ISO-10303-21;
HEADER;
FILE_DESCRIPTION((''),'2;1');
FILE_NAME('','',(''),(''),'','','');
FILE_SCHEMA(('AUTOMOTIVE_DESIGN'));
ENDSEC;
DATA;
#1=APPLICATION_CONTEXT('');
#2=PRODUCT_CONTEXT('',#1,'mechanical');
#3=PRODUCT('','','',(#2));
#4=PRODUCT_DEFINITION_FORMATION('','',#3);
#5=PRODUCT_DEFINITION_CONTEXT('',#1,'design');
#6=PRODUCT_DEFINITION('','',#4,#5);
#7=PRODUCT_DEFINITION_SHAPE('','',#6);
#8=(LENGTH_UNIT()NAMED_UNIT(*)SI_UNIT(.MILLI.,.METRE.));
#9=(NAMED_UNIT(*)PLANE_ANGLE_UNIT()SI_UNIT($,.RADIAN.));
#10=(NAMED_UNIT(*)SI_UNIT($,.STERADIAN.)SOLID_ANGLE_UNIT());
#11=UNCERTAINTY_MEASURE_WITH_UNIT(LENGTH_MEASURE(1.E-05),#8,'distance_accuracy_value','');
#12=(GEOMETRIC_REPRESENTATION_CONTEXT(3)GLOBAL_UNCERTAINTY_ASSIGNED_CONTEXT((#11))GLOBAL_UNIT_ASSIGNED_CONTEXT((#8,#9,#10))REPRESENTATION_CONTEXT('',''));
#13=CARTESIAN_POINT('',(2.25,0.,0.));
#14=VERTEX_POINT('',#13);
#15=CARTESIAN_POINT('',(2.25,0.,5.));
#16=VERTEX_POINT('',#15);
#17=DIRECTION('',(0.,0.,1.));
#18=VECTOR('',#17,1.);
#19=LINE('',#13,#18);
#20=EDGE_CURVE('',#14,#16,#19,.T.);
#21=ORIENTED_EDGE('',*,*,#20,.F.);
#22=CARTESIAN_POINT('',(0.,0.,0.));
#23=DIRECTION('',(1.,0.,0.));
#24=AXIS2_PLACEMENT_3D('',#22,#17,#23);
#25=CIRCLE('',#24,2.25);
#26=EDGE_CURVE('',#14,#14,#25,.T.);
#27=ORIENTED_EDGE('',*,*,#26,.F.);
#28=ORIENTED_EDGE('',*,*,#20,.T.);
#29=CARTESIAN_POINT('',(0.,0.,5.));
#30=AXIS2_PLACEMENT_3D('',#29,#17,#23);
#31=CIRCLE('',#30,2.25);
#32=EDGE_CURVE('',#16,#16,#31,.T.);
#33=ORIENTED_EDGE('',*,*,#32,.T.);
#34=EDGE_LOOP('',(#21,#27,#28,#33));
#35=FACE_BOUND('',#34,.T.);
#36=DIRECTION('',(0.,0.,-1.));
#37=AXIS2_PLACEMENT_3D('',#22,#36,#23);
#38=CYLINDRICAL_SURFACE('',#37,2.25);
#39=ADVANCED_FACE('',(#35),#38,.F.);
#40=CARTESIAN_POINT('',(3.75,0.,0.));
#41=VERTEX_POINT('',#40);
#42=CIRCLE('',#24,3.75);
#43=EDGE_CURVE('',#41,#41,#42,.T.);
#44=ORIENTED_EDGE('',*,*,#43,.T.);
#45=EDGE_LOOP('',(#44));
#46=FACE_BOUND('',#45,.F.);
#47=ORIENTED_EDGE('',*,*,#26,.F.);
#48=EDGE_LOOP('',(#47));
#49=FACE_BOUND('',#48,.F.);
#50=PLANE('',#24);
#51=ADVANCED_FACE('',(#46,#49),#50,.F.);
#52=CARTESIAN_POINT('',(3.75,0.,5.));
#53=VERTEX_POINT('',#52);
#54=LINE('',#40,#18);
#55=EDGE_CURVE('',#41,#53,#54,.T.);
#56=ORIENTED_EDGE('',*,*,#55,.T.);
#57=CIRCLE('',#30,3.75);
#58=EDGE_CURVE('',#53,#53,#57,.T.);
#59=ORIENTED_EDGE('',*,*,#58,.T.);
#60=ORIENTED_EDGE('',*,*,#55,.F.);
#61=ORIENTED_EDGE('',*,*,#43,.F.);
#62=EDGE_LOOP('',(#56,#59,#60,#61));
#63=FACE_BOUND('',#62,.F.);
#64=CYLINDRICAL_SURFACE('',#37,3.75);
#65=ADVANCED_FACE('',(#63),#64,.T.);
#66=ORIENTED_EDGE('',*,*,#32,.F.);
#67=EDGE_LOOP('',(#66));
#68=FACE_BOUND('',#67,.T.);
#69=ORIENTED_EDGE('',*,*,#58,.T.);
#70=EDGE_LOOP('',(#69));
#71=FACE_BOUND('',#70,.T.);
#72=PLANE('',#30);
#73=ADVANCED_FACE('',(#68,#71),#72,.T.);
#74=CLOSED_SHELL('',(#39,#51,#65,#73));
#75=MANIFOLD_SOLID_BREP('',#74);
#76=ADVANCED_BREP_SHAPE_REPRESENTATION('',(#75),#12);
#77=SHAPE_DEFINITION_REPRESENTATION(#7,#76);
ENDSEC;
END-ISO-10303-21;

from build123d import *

# Parameters (mm, degrees)
SKETCH_R   = 3.75
SKETCH_R_2 = 2.25
PAD_DEPTH  = 5


with BuildPart() as part:
    # Sketch → Pad (new body)
    with BuildSketch(Plane.XY):
        Circle(SKETCH_R)
        Circle(SKETCH_R_2, mode=Mode.SUBTRACT)
    extrude(amount=PAD_DEPTH)


solid = part.part
